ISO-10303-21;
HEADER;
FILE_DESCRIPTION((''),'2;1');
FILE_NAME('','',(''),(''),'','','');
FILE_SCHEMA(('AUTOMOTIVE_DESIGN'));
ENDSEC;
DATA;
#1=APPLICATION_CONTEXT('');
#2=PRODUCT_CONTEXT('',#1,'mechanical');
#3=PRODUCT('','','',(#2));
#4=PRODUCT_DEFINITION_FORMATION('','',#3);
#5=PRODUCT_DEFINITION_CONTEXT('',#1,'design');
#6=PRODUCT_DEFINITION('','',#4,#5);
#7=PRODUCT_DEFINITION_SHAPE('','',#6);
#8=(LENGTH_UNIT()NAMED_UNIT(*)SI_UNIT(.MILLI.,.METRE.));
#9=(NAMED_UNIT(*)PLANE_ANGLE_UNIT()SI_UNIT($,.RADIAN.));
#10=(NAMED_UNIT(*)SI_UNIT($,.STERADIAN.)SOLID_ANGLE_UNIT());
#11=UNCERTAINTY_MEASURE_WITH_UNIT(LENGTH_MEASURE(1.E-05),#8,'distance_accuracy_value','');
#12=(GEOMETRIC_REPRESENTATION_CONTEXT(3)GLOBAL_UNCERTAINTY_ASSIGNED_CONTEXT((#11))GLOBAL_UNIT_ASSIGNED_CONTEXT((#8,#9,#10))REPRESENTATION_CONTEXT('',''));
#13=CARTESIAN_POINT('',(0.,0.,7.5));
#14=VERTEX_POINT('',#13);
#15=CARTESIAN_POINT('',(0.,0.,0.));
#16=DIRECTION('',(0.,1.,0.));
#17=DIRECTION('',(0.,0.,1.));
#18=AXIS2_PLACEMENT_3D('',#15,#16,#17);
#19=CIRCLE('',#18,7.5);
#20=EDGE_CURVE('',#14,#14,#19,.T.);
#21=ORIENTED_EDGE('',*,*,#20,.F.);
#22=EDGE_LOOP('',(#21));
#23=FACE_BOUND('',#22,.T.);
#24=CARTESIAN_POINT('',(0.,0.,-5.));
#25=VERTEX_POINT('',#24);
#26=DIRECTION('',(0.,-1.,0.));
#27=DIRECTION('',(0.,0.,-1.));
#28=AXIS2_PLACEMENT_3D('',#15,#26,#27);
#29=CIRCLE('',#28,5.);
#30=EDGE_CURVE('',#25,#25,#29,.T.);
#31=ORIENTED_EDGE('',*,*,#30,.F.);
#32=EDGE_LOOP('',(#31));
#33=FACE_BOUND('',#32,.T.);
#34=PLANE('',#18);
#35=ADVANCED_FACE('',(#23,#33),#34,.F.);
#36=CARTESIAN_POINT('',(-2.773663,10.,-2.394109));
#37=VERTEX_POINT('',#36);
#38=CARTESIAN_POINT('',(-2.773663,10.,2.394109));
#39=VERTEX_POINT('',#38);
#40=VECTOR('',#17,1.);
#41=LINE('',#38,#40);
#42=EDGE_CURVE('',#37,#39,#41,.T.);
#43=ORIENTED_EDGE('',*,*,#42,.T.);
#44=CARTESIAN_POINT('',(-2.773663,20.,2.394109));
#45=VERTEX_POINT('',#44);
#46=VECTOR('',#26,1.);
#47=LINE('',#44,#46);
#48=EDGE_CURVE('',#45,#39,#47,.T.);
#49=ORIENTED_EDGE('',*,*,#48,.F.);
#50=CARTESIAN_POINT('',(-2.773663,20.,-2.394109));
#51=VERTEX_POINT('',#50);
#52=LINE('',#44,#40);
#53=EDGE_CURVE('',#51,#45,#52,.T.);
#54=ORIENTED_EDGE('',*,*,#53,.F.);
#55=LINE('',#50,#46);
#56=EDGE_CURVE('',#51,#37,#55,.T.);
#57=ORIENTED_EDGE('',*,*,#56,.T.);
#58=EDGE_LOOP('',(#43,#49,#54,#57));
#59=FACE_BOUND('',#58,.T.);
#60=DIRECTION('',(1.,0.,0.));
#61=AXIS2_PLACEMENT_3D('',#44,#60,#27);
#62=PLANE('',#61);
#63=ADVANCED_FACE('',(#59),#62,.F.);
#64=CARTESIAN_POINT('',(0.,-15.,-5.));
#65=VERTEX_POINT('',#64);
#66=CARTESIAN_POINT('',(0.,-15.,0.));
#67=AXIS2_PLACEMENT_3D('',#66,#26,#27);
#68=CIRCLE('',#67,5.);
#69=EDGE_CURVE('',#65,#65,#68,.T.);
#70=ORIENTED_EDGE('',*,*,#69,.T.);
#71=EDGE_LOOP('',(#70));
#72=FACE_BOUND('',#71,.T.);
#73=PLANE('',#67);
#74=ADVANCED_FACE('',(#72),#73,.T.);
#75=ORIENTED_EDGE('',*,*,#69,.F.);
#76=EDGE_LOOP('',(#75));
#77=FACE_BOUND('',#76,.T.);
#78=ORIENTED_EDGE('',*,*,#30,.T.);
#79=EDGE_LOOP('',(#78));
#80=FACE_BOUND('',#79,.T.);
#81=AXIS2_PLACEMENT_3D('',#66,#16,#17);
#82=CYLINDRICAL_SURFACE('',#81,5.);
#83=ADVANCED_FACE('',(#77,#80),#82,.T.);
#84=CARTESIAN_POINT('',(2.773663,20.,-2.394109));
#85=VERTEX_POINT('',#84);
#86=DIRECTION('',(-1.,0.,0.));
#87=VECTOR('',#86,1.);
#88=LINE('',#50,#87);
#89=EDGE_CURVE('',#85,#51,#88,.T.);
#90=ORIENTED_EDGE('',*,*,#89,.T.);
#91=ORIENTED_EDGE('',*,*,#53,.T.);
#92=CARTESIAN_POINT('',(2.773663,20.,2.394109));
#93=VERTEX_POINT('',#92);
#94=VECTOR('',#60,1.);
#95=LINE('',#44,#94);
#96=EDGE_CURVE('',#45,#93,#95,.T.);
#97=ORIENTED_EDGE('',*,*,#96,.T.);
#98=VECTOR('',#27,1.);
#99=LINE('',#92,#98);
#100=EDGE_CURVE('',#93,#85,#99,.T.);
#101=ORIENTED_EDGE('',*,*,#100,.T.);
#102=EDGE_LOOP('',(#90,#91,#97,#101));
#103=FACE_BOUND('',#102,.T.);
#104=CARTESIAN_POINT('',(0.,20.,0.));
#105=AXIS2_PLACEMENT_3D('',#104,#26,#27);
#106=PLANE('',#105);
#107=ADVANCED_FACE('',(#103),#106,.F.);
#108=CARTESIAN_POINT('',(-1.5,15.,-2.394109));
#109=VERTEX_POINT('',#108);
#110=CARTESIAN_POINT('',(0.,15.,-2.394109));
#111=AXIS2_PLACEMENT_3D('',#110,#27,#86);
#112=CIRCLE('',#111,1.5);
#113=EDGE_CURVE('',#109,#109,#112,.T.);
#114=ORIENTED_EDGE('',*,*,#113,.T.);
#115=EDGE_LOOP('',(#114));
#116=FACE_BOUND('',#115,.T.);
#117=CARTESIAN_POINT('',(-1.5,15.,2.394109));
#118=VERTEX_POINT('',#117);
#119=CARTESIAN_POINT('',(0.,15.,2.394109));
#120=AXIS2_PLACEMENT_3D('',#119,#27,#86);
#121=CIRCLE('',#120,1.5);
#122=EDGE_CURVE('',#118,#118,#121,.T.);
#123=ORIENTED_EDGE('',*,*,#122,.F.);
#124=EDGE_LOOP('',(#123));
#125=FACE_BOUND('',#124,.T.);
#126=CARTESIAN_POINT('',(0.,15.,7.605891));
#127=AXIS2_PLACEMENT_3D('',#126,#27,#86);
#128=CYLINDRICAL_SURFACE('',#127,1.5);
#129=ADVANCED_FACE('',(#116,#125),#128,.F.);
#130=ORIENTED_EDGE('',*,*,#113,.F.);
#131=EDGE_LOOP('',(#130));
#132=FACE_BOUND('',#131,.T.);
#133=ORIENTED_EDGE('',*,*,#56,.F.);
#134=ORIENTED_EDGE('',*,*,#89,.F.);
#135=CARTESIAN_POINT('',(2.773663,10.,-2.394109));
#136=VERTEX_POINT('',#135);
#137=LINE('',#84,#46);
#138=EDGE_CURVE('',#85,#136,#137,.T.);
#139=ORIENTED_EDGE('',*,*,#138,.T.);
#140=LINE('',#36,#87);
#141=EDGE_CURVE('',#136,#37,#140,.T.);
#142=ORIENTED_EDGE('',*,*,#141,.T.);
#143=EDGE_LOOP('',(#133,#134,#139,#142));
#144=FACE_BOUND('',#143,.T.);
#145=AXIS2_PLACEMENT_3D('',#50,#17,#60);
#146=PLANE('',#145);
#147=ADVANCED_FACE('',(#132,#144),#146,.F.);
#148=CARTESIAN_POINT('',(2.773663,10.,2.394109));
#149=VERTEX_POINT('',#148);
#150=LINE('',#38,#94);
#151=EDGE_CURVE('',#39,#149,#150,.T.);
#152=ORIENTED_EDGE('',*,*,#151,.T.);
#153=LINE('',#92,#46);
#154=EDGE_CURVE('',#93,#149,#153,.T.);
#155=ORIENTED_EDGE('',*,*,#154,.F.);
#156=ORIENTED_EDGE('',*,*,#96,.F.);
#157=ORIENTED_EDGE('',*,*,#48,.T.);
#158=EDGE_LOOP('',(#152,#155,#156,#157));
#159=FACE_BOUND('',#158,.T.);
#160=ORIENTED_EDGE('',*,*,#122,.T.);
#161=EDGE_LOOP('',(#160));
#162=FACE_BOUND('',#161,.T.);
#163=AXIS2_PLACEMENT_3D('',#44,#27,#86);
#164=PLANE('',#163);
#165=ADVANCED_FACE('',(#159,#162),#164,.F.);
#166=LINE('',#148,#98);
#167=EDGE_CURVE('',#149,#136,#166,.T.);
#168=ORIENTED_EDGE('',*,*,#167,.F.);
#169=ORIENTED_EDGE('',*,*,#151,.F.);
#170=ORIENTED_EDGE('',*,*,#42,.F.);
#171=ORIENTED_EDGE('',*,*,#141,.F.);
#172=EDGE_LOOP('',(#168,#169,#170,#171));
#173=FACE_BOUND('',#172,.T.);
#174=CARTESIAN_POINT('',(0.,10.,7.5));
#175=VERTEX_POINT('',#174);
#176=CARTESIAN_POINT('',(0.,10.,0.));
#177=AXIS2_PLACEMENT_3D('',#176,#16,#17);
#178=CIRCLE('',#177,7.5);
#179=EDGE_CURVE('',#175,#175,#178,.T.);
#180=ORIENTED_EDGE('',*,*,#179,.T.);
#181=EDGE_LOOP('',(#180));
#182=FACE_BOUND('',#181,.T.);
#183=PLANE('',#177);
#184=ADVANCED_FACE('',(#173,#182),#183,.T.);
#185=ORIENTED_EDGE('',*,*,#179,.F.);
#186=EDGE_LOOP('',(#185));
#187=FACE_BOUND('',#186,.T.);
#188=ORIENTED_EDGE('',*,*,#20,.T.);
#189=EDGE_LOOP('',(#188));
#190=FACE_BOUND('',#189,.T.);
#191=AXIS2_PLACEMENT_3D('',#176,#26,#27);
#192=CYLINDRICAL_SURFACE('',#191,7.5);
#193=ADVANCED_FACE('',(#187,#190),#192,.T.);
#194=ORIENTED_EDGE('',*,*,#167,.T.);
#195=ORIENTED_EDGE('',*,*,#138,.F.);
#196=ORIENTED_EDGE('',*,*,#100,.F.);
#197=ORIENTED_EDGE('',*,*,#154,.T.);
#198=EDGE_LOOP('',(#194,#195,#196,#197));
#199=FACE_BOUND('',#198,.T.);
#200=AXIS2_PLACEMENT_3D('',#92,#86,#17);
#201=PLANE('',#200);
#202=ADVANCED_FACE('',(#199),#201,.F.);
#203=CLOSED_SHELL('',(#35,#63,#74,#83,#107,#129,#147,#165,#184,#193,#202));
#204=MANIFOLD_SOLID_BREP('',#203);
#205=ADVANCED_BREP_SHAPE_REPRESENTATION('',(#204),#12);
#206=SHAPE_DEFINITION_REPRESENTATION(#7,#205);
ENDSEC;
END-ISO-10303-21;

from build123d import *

# Parameters (mm, degrees)
SKETCH1_R           = 7.5
BOSS_EXTRUDE1_DEPTH = 10
SKETCH2_W           = 5.547326656
SKETCH2_H           = 4.788218798
BOSS_EXTRUDE2_DEPTH = 10
SKETCH4_R           = 1.5
CUT_EXTRUDE1_DEPTH  = 10
SKETCH5_R           = 5
BOSS_EXTRUDE3_DEPTH = 15


with BuildPart() as part:
    # Sketch1 → Boss-Extrude1 (new body)
    with BuildSketch(Plane(origin=(0, 0, 0), x_dir=(1, 0, 0), z_dir=(0, 1, 0))):
        Circle(SKETCH1_R)
    extrude(amount=BOSS_EXTRUDE1_DEPTH)

    # Sketch2 → Boss-Extrude2 (add)
    with BuildSketch(Plane(origin=(0, 10, 0), x_dir=(1, 0, 0), z_dir=(0, 1, 0))):
        Rectangle(SKETCH2_W, SKETCH2_H)
    extrude(amount=BOSS_EXTRUDE2_DEPTH)

    # Sketch4 → Cut-Extrude1 (cut)
    with BuildSketch(Plane(origin=(0, 0, -2.394109399), x_dir=(-1, 0, 0), z_dir=(0, 0, -1))):
        with Locations((0, 15)):
            Circle(SKETCH4_R)
    extrude(amount=-CUT_EXTRUDE1_DEPTH, mode=Mode.SUBTRACT)

    # Sketch5 → Boss-Extrude3 (add)
    with BuildSketch(Plane(origin=(0, 0, 0), x_dir=(-1, 0, 0), z_dir=(0, -1, 0))):
        Circle(SKETCH5_R)
    extrude(amount=BOSS_EXTRUDE3_DEPTH)


solid = part.part
